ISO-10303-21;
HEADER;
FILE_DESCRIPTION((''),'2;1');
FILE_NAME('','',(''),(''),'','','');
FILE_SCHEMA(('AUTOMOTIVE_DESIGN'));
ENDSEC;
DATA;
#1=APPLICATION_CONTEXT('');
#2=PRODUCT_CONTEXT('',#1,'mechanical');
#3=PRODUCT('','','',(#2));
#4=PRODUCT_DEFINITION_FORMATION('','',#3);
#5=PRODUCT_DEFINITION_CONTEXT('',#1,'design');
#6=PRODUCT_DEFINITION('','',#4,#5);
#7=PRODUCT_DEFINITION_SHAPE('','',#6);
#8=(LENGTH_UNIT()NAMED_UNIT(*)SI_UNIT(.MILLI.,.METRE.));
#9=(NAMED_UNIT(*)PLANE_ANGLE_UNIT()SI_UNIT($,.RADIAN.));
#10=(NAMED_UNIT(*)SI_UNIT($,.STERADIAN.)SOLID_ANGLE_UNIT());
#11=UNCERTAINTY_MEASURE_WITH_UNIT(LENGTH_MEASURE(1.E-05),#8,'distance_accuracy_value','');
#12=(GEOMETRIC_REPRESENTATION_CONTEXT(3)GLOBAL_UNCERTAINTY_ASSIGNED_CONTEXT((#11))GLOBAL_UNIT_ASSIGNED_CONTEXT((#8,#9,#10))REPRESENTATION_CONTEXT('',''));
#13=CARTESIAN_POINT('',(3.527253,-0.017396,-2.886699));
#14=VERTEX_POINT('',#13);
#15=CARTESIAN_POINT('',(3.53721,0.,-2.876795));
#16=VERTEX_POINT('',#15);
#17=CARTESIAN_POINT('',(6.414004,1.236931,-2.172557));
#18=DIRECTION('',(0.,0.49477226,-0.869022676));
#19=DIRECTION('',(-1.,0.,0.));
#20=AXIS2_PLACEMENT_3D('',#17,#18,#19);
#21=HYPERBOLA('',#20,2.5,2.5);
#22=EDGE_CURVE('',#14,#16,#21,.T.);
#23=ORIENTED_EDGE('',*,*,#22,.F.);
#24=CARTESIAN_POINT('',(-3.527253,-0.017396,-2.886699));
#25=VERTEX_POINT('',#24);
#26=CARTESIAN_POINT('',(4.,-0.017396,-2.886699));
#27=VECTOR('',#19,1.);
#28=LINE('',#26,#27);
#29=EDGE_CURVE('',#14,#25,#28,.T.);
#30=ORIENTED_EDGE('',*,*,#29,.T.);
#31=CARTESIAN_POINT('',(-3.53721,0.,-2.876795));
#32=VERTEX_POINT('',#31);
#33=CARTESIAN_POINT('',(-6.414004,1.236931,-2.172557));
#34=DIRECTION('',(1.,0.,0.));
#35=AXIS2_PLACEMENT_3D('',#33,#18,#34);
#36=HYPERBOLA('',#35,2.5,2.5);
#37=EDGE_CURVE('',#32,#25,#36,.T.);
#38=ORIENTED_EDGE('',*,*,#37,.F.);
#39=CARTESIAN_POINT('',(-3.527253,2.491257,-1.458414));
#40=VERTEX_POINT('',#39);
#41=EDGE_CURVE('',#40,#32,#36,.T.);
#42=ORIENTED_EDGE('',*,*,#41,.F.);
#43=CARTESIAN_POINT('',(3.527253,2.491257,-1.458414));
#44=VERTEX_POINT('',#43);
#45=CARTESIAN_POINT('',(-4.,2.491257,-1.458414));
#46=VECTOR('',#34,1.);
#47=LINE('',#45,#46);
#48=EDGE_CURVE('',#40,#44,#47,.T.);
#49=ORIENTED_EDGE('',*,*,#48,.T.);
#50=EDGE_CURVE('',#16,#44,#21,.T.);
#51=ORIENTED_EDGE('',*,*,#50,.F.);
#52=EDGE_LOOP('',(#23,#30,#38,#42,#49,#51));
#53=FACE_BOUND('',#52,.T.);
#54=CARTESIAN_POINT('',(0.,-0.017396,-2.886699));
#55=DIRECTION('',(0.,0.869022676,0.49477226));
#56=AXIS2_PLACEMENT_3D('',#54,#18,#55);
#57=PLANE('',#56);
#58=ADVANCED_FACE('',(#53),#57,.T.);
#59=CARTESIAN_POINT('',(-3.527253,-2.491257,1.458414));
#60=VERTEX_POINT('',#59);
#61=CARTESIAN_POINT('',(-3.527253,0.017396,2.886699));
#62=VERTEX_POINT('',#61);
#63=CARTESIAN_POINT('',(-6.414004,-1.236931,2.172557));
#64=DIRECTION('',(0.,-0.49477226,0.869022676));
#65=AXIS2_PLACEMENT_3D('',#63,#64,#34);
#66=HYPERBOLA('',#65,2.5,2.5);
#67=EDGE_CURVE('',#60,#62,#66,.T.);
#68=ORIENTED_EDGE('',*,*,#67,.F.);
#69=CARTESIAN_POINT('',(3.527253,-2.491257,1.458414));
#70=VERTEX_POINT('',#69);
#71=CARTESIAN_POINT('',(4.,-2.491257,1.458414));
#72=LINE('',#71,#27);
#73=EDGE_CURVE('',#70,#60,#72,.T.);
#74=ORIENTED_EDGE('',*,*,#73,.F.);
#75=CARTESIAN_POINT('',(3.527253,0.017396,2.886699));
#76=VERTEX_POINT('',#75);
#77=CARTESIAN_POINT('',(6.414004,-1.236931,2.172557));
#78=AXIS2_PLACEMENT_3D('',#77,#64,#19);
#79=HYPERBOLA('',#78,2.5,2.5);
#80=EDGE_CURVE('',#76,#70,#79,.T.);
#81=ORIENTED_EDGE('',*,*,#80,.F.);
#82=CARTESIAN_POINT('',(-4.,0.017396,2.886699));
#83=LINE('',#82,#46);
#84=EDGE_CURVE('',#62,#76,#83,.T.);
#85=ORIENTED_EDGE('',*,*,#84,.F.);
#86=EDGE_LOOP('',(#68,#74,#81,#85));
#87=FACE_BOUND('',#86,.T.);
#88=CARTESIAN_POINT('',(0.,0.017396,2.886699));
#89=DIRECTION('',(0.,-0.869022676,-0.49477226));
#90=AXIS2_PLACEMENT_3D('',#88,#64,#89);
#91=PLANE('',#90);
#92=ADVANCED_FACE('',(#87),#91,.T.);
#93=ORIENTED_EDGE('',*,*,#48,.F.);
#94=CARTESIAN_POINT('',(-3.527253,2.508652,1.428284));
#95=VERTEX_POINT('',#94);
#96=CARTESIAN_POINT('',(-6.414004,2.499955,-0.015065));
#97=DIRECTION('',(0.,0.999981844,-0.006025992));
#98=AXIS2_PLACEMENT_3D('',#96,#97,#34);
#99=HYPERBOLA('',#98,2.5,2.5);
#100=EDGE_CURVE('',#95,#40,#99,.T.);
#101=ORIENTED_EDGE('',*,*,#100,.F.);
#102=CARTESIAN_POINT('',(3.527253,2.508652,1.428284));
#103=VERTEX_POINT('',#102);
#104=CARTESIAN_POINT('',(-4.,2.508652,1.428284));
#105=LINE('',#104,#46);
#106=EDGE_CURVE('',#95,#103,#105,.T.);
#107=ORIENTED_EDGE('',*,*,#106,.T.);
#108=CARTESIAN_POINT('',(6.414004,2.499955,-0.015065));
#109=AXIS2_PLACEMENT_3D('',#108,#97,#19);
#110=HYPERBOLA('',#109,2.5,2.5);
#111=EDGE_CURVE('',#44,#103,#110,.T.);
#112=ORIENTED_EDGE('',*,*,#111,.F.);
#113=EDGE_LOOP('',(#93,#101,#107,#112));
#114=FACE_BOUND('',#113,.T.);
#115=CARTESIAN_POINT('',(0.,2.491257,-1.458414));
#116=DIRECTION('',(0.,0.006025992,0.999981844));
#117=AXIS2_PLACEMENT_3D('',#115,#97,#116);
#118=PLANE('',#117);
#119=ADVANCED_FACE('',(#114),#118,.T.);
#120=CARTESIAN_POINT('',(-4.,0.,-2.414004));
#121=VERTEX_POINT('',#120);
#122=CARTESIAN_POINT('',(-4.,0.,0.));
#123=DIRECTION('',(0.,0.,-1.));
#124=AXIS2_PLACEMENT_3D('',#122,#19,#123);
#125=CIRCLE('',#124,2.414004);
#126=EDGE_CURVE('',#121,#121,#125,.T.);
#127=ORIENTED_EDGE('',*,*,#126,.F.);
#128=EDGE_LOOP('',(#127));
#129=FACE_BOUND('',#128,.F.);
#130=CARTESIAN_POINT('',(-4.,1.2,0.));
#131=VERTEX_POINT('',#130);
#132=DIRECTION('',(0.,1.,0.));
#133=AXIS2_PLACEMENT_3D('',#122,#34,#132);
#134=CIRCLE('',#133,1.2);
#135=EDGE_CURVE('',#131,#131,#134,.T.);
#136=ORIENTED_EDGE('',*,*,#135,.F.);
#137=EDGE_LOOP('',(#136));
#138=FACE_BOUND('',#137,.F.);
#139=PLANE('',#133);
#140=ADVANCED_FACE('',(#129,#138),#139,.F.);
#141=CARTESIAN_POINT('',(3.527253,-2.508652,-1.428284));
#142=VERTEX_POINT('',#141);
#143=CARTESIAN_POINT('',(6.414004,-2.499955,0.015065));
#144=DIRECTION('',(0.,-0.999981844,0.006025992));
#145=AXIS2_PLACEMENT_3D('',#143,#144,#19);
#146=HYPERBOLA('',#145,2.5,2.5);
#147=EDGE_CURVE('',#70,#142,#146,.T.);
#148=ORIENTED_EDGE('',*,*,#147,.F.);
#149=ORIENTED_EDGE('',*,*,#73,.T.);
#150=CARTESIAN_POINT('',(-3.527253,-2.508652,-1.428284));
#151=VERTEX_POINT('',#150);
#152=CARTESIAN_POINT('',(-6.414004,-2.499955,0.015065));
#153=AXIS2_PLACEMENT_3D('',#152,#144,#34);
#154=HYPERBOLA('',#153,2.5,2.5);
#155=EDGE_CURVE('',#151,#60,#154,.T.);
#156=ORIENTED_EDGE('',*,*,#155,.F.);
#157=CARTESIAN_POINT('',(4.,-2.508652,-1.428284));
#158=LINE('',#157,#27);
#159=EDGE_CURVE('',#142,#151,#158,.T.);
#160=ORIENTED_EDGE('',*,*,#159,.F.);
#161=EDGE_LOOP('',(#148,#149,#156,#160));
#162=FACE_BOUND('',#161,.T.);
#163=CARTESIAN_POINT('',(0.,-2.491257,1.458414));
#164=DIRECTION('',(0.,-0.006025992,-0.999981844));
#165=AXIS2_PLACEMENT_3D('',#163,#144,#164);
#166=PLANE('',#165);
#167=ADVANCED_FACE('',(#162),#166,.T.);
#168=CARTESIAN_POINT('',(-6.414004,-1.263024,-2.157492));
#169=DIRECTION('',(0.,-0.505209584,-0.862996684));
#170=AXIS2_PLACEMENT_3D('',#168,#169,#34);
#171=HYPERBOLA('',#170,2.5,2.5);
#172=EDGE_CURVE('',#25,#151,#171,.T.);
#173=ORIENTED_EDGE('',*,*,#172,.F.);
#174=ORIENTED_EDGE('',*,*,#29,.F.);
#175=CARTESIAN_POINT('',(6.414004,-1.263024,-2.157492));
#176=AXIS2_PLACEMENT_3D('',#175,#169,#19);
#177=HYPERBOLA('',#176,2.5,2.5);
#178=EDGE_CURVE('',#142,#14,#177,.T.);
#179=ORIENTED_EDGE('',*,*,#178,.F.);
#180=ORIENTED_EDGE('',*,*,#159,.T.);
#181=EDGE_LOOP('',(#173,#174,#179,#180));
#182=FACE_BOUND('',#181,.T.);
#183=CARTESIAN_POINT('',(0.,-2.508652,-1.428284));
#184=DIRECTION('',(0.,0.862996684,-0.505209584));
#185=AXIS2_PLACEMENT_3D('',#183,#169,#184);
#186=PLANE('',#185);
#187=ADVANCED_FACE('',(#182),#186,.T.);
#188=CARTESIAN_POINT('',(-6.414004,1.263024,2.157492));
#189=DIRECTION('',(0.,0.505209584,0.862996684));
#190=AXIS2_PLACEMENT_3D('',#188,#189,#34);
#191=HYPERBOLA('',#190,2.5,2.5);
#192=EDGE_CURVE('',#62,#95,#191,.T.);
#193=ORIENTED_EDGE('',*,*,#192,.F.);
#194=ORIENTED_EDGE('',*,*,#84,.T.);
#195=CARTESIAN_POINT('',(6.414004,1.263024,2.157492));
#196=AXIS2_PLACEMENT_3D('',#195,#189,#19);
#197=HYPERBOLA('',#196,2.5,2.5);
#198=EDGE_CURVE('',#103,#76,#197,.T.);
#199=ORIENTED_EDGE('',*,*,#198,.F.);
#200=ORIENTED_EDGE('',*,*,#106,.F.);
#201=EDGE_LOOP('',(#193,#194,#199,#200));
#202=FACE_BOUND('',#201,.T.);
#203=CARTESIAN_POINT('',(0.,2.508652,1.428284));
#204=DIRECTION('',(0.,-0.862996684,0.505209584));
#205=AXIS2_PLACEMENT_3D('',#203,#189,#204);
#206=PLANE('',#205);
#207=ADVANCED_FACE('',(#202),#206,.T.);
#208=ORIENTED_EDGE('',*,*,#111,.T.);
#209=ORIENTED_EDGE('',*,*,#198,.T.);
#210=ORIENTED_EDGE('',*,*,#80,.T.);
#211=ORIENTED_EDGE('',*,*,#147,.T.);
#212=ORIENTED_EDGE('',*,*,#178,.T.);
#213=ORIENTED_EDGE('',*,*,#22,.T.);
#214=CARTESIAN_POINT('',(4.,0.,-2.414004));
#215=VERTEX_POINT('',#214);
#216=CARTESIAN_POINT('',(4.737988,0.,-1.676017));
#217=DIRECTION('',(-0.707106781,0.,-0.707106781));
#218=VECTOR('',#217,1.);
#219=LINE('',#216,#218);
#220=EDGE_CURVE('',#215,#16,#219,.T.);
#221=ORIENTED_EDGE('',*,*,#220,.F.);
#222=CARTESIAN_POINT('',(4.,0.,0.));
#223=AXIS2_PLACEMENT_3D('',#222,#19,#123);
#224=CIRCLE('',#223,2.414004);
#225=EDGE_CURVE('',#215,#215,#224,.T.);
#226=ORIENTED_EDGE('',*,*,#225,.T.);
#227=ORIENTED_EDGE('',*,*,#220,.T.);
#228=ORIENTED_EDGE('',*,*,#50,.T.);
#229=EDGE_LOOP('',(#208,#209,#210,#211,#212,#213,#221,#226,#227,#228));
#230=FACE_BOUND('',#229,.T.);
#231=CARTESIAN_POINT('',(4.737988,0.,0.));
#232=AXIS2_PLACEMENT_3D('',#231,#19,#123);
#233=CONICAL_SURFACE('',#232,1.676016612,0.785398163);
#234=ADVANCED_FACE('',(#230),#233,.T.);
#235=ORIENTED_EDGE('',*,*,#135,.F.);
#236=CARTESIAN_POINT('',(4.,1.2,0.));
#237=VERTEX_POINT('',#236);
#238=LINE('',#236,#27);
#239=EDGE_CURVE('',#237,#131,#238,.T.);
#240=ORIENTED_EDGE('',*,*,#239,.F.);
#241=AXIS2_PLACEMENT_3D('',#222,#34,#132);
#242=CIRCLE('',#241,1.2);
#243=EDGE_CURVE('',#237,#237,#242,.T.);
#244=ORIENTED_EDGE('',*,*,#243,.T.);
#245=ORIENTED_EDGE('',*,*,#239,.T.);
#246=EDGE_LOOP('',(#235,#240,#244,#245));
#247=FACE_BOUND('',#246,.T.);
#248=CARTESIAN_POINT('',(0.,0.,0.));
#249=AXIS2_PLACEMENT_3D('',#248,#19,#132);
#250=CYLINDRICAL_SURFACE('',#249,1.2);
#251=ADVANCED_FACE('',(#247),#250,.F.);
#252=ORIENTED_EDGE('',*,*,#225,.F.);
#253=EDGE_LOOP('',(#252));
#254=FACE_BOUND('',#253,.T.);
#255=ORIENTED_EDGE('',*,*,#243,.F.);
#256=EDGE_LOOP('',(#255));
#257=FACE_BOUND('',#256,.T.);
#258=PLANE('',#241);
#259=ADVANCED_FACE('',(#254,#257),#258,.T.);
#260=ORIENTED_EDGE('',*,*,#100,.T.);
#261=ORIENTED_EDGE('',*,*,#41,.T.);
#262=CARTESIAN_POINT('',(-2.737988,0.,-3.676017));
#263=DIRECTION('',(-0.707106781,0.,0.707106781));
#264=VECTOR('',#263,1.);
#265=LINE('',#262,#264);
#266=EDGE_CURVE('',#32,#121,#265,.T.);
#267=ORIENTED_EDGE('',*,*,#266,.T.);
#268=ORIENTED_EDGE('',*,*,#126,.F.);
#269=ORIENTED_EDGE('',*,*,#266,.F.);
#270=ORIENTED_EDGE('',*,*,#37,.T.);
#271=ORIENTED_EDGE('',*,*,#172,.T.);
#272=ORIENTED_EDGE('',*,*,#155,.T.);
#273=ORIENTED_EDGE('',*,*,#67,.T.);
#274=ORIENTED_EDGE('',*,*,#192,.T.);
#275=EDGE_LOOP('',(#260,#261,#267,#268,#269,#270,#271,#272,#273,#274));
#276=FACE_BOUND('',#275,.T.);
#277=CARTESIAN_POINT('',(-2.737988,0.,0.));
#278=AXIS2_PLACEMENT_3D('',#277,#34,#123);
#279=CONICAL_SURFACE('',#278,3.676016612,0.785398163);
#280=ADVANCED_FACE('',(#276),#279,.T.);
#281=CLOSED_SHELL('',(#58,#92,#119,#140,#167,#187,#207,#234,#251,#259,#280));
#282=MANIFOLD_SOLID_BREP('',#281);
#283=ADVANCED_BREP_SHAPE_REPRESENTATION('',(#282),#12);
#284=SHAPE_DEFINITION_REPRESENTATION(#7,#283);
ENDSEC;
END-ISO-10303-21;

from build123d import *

# Parameters (mm, degrees)
F0_R     = 1.2
F1_DEPTH = 4


with BuildPart() as f1:
    # F0 (on Right) → F1 (new body, symmetric)
    with BuildSketch(Plane.YZ):
        Polygon((-0.0173955408, -2.8866989328), (2.4912568385, -1.4584144466), (2.5086523793, 1.4282844861), (0.0173955408, 2.8866989328), (-2.4912568385, 1.4584144466), (-2.5086523793, -1.4282844861), align=None)
        Circle(F0_R, mode=Mode.SUBTRACT)
    extrude(amount=F1_DEPTH, both=True)

    # F2 (on Front) → F3 (revolve, cut)
    with BuildSketch(Plane.XZ):
        Polygon((4.7379877966, -3.6760166123), (4.7379877966, -1.6760166123), (2.7379877966, -3.6760166123), align=None)
        Polygon((-4.7379877966, -1.6760166123), (-4.7379877966, -3.6760166123), (-2.7379877966, -3.6760166123), align=None)
    revolve(axis=Axis((0, 0, 0), (-1, 0, 0)), mode=Mode.SUBTRACT)


solid = f1.part
